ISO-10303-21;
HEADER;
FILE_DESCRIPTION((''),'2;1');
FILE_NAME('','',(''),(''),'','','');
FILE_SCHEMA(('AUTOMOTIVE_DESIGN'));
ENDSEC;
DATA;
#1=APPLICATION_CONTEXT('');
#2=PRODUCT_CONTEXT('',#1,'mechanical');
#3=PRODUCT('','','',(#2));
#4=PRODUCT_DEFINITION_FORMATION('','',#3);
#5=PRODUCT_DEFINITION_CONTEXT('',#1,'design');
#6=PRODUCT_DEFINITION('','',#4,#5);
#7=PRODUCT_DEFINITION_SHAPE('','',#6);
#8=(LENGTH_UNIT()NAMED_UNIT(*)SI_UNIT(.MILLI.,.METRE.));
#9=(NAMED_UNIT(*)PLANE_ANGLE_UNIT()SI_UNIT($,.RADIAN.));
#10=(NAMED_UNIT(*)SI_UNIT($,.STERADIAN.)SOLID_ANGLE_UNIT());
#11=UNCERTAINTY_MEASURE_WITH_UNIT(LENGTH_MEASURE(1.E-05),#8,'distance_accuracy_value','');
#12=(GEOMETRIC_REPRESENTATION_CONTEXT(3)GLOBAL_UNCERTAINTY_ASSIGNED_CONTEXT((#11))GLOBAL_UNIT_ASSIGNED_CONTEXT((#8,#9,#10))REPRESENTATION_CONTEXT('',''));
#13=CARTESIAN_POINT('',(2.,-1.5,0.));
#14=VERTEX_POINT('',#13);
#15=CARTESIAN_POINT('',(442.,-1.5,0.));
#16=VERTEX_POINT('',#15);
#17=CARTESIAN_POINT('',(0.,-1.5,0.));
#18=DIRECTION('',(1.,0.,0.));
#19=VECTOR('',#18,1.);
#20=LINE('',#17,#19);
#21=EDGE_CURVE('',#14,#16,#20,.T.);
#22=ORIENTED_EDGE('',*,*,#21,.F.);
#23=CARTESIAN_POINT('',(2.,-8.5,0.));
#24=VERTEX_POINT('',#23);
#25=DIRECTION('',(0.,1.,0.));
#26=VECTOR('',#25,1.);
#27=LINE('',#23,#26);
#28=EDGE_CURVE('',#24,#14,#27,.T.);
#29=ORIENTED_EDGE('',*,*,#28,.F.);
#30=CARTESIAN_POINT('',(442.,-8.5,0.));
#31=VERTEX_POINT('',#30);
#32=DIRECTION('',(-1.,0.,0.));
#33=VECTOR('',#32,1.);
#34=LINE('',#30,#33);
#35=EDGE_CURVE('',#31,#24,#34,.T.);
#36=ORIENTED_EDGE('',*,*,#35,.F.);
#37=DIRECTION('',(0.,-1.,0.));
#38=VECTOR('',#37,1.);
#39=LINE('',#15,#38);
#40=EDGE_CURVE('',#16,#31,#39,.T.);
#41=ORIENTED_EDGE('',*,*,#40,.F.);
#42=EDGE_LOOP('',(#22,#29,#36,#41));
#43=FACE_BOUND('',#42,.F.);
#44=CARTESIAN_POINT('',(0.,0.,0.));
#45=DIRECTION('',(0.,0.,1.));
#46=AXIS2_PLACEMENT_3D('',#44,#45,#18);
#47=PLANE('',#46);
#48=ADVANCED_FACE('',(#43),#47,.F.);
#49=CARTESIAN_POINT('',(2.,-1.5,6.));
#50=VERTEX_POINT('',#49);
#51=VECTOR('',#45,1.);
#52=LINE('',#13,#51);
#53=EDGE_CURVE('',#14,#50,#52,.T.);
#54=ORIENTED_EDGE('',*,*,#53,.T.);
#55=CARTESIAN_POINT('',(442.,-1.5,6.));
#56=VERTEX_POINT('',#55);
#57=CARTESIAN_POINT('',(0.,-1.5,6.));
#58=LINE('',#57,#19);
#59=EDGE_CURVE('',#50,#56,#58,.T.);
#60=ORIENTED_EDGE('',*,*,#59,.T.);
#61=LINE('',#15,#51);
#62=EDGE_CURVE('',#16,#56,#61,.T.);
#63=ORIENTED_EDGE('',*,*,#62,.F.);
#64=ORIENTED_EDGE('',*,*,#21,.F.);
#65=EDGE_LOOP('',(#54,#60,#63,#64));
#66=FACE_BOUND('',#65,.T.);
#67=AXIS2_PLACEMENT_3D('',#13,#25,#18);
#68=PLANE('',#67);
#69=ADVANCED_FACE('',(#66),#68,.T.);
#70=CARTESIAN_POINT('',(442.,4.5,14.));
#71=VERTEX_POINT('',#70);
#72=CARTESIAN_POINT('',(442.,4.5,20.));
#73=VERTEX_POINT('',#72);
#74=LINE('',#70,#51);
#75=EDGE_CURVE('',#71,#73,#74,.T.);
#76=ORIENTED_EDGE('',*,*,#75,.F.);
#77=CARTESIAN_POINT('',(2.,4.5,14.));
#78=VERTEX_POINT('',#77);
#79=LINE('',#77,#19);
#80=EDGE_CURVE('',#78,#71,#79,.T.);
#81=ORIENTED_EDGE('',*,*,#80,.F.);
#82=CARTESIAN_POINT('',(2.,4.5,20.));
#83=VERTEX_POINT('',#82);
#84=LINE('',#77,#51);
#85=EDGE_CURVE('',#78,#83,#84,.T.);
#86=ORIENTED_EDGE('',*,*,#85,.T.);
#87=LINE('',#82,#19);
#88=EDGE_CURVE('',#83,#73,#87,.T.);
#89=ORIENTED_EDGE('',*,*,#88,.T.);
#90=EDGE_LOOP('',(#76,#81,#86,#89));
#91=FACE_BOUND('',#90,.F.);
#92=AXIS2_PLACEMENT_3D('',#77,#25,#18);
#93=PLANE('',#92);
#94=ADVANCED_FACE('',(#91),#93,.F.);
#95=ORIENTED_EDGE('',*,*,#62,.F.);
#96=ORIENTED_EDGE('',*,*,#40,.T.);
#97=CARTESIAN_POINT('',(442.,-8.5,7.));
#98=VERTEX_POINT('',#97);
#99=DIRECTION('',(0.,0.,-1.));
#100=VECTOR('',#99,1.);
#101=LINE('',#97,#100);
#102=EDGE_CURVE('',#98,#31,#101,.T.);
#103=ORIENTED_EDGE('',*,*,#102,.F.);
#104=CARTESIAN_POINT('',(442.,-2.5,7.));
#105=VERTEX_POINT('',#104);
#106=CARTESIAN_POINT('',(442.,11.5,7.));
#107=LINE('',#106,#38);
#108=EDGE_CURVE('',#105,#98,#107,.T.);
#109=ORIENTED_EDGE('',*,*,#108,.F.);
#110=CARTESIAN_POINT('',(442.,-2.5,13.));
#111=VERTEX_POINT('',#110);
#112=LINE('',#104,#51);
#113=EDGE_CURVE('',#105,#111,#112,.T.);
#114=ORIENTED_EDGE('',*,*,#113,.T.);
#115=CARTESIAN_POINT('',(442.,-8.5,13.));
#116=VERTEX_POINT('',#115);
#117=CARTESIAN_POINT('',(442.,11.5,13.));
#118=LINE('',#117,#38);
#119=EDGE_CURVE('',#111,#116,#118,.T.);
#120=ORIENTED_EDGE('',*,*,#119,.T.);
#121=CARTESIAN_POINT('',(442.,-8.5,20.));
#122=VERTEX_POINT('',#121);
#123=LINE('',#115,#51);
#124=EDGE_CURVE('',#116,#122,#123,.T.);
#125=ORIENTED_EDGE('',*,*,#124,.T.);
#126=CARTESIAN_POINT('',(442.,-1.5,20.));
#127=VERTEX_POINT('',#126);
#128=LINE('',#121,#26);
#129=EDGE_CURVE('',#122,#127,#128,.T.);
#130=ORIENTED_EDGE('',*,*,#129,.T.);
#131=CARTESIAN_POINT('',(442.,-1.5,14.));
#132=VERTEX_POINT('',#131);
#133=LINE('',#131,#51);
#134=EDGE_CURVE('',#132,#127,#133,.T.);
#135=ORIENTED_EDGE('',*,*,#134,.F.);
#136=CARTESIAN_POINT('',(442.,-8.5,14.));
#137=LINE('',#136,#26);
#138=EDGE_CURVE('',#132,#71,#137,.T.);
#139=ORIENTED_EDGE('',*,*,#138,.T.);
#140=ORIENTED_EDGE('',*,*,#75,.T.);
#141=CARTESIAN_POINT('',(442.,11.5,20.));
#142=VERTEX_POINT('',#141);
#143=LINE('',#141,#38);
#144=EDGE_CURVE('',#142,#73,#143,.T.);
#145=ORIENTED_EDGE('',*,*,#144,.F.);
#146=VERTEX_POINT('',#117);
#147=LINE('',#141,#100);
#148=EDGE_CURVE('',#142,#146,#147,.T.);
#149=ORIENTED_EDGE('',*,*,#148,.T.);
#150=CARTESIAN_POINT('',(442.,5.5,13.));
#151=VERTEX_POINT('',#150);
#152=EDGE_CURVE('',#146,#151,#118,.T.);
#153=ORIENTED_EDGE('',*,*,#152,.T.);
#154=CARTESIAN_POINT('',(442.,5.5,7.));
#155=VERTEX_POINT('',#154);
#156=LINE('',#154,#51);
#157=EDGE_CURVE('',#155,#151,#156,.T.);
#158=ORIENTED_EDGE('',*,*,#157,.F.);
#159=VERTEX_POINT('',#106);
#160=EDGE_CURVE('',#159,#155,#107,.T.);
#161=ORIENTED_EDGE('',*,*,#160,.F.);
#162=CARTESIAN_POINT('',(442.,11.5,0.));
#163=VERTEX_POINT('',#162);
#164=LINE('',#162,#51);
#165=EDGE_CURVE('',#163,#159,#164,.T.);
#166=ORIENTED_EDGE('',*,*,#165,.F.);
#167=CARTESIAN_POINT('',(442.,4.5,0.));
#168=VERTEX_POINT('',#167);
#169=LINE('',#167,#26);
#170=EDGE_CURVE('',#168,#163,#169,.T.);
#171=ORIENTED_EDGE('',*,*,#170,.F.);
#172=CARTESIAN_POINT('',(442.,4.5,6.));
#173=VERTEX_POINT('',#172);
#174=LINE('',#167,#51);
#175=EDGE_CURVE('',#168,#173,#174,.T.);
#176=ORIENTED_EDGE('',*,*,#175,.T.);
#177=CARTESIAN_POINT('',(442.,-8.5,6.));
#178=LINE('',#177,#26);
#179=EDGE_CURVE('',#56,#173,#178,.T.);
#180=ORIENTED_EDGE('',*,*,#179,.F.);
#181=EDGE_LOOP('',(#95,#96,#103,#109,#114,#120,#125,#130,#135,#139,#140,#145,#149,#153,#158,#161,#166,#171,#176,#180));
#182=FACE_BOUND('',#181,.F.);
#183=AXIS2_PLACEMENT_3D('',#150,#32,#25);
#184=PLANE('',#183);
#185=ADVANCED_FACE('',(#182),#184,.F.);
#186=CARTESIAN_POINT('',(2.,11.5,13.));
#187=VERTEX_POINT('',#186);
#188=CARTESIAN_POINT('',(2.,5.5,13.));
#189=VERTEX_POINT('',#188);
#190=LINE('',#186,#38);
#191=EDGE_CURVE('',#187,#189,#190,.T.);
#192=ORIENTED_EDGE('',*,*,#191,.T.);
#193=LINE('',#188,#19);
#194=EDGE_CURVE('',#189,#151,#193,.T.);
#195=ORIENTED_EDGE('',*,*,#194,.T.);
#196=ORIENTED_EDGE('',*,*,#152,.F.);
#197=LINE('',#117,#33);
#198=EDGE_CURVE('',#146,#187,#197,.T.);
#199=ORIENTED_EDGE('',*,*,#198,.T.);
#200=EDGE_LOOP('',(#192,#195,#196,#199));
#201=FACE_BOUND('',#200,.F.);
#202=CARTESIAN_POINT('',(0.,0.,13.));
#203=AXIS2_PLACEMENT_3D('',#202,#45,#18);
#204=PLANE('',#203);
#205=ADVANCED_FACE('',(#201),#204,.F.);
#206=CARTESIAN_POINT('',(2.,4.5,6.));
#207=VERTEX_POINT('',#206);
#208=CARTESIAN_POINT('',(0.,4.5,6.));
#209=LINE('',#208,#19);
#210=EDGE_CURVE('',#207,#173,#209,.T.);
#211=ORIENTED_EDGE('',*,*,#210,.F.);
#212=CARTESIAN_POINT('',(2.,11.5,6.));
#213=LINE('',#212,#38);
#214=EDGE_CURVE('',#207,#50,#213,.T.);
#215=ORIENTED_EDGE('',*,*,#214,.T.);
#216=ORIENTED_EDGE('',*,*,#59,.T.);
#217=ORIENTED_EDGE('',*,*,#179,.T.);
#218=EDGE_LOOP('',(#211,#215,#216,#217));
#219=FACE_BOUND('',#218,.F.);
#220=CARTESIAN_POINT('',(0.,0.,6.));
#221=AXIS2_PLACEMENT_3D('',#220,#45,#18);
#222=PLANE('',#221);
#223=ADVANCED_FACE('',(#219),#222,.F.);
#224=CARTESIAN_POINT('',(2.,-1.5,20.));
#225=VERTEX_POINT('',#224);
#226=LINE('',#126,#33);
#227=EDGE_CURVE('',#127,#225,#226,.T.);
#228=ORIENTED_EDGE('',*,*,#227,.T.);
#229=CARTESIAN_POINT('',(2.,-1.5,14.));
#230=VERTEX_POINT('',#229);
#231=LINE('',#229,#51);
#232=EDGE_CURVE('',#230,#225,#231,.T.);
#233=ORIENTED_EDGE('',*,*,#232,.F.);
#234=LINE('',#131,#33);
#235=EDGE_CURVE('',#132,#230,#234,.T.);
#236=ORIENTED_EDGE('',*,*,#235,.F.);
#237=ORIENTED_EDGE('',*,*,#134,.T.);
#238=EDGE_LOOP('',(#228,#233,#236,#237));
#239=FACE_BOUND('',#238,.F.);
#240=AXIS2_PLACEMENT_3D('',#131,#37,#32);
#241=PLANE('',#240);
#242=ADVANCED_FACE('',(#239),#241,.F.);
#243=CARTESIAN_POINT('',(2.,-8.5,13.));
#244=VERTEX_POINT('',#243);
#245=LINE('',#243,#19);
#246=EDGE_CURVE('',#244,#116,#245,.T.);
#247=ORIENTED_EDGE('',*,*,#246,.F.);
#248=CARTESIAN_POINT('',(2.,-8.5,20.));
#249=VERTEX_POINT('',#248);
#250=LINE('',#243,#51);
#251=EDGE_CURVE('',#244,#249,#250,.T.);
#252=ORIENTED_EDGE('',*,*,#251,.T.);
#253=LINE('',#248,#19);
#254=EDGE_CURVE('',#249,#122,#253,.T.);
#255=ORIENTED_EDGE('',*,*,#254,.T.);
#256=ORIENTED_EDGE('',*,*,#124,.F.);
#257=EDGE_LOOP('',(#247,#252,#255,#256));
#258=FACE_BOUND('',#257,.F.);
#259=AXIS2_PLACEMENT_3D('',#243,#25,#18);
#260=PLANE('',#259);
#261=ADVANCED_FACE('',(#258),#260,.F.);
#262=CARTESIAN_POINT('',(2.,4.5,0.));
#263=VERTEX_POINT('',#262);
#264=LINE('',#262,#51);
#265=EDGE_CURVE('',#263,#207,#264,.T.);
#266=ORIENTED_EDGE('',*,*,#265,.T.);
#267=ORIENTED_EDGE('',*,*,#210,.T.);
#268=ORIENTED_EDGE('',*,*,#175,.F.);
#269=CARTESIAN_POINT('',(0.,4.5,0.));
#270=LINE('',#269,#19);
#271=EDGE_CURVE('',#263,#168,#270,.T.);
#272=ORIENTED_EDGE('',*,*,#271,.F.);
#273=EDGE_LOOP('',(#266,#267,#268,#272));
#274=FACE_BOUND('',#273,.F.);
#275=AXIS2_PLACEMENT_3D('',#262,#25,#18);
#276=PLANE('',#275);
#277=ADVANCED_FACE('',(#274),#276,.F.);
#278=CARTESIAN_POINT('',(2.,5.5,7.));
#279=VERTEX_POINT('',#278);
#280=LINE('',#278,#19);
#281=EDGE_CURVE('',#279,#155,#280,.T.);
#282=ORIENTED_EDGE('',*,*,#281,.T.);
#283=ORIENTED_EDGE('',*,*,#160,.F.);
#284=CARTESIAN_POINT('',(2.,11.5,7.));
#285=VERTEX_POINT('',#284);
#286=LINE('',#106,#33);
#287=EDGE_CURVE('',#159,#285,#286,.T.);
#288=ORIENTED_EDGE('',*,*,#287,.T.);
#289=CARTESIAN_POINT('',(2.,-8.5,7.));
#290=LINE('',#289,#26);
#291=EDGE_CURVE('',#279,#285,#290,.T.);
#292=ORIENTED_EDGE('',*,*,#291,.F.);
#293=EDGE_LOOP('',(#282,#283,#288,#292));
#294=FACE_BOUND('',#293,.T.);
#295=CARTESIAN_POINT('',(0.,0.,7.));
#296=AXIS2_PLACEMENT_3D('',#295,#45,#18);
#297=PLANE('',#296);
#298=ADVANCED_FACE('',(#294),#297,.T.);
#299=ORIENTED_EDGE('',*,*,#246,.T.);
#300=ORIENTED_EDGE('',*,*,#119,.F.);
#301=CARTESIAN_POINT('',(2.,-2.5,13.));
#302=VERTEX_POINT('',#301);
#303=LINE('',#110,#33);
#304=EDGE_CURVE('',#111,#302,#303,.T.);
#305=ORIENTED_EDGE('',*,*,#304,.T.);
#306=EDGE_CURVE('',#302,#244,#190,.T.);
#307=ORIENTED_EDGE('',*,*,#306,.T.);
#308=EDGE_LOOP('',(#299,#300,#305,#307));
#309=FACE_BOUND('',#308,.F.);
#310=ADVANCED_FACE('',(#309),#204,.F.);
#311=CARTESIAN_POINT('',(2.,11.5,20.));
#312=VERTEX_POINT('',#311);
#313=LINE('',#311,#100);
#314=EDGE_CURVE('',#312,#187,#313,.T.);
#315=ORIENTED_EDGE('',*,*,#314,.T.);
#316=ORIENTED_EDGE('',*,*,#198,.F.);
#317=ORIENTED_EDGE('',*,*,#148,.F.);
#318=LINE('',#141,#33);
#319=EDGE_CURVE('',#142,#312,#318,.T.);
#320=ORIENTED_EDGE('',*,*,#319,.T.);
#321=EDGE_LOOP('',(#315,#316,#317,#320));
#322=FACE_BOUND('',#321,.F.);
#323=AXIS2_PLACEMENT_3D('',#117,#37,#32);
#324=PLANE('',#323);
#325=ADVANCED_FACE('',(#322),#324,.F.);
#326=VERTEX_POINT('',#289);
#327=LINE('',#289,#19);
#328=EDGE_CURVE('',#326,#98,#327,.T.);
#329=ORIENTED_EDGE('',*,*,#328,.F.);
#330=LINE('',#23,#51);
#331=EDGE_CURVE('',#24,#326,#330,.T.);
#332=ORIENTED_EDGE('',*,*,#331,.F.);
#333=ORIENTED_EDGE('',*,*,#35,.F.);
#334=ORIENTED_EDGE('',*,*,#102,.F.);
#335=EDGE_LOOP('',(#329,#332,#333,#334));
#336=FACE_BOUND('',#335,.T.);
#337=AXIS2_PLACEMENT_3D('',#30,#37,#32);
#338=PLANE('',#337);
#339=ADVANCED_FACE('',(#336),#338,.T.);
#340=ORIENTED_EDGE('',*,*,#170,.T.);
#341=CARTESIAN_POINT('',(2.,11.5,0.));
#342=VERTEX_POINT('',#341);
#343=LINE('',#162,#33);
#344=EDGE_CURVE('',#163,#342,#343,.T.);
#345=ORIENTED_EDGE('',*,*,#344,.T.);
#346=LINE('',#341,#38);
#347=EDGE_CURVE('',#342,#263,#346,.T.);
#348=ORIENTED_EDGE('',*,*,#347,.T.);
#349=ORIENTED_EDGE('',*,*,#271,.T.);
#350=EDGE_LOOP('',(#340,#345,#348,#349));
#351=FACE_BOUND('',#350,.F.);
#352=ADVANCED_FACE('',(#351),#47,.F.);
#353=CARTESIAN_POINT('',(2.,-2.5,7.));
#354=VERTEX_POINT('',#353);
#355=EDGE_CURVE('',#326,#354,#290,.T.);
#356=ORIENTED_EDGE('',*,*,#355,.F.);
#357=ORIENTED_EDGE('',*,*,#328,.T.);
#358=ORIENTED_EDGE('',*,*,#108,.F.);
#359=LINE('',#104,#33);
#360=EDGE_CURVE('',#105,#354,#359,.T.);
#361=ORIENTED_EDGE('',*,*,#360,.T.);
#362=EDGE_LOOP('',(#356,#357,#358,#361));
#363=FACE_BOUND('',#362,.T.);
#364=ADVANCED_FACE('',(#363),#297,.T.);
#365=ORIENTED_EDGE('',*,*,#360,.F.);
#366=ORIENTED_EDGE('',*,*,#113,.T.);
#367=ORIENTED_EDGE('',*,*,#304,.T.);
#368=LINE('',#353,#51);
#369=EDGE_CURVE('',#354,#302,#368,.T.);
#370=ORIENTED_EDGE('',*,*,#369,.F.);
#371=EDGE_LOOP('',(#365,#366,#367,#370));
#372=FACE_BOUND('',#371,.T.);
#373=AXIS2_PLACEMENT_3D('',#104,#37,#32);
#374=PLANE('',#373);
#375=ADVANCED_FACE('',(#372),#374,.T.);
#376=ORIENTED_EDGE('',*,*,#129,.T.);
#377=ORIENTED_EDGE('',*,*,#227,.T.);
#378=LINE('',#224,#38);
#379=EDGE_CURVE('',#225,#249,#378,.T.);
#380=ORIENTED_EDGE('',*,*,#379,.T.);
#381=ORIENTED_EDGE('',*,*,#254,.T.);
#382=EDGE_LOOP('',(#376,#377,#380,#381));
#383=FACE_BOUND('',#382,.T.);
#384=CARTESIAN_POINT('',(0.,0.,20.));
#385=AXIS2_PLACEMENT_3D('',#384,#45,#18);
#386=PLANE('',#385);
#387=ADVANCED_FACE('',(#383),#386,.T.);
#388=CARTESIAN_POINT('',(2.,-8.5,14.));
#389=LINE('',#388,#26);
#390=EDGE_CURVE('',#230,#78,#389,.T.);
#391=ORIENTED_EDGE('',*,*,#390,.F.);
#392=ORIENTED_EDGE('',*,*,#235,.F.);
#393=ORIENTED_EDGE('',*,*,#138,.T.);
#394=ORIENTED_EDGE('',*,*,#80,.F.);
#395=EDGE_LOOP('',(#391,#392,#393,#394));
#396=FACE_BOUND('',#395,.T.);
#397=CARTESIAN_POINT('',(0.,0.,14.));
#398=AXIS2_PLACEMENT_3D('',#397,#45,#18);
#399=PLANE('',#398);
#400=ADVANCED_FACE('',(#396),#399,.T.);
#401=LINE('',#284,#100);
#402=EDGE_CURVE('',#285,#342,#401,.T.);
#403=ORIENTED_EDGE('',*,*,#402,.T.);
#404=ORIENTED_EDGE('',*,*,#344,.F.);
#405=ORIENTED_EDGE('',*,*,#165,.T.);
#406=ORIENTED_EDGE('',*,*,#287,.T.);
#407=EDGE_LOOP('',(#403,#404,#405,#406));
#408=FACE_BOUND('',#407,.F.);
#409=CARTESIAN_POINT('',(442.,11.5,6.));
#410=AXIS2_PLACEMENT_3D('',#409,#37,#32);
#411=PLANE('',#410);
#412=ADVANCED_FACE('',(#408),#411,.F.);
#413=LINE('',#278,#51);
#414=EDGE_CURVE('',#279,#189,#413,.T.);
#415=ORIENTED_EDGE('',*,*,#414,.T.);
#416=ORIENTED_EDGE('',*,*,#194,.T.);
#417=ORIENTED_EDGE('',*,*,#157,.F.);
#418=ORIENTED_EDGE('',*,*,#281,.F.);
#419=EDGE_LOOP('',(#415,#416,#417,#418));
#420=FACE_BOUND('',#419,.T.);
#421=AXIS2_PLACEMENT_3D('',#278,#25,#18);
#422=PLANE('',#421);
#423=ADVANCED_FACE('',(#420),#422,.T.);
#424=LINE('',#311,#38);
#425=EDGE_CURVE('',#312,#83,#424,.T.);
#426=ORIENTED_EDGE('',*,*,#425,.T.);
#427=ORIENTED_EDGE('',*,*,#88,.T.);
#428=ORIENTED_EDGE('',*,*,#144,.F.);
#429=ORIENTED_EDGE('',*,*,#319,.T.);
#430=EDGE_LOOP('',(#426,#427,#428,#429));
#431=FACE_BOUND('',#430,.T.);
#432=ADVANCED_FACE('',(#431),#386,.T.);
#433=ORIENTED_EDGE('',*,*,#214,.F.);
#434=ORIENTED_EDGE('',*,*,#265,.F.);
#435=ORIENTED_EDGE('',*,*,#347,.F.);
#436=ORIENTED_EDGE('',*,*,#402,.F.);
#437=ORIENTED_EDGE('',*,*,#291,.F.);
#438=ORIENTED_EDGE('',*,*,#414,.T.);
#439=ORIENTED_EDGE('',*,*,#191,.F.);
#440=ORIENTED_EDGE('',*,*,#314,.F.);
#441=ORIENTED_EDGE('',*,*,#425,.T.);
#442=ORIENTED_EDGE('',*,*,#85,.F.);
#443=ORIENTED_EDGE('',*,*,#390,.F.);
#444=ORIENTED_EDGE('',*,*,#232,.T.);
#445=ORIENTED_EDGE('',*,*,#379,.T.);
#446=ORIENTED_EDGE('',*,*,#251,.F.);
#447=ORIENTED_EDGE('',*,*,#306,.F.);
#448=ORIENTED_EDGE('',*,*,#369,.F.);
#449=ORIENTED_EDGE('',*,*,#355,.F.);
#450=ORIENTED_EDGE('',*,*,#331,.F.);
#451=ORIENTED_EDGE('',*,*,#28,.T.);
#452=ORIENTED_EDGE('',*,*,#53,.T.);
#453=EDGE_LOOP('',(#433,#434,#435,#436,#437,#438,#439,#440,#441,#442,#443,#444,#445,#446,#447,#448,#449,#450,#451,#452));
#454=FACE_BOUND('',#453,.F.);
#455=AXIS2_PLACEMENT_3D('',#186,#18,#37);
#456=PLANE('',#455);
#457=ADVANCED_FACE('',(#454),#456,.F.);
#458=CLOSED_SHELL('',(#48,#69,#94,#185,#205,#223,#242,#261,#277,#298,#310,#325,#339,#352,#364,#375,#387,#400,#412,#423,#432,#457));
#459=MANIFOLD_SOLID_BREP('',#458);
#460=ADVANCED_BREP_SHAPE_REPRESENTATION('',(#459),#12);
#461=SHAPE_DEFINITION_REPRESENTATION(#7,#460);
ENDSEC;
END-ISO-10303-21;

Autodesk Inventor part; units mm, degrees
ref_plane "YZ Plane" through (0, 0, 0) normal (1, 0, 0) x (0, 1, 0)
ref_plane "XZ Plane" through (0, 0, 0) normal (0, 1, 0) x (-1, 0, 0)
ref_plane "XY Plane" through (0, 0, 0) normal (0, 0, 1) x (1, 0, 0)
sketch "Sketch8" plane through (0, 0, 0) normal (0, 0, 1) x (1, 0, 0)
  line L0 (-3, 0) -> (-3, 3)
  line L1 (0, 0) -> (444, 0)
  line L2 (444, 0) -> (444, 3)
  line L3 (0, 3) -> (444, 3)
  line L4 (0, 0) -> (0, 3)
  line L5 (0, 3) -> (-3, 3)
  line L6 (0, 0) -> (-3, 0)
  line L7 (447, 3) -> (444, 3)
  line L8 (447, 0) -> (447, 3)
  line L9 (447, 0) -> (444, 0)
  line L10 (0, 4.5) -> (442, 4.5)
  line L11 (0, -1.5) -> (442, -1.5)
  line L12 (442, 4.5) -> (442, -1.5)
  line L13 (2, 4.5) -> (2, -1.5)
  line L14 (2, 4.5) -> (442, 4.5)
  line L15 (442, 4.5) -> (442, 11.5)
  line L16 (442, 11.5) -> (2, 11.5)
  line L17 (2, 11.5) -> (2, 4.5)
  line L18 (2, -1.5) -> (442, -1.5)
  line L19 (442, -1.5) -> (442, -8.5)
  line L20 (442, -8.5) -> (2, -8.5)
  line L21 (2, -8.5) -> (2, -1.5)
  point P0 (-3, 1.5)
extrude "Extrusion7" add sketch "Sketch8" along normal blind 6 contours L11 L19 L20 L21 | L17 L16 L15 L10
sketch "Sketch9" plane through (0, 0, 6) normal (0, 0, 1) x (1, 0, 0)
  line L0 (2, 11.5) -> (2, 4.5) projected
  line L1 (2, 4.5) -> (442, 4.5) projected
  line L2 (442, 4.5) -> (442, 11.5) projected
  line L3 (442, 11.5) -> (2, 11.5) projected
  line L4 (442, -8.5) -> (442, -1.5) projected
  line L5 (442, -1.5) -> (2, -1.5) projected
  line L6 (2, -1.5) -> (2, -8.5) projected
  line L7 (2, -8.5) -> (442, -8.5) projected
  line L8 (2, 4.5) -> (2, -1.5)
  line L9 (442, -1.5) -> (442, 4.5)
  point P0 (0, 0)
extrude "Extrusion8" add sketch "Sketch9" along normal blind 1
sketch "Sketch10" plane through (0, 0, 7) normal (0, 0, 1) x (1, 0, 0)
  line L0 (2, 4.5) -> (442, 4.5) projected
  line L1 (442, -1.5) -> (2, -1.5) projected
  line L2 (442, -2.5) -> (2, -2.5)
  line L3 (2, 5.5) -> (442, 5.5)
  line L4 (2, 5.5) -> (2, -2.5)
  line L5 (2, 11.5) -> (2, -8.5) projected
  line L6 (442, 5.5) -> (442, -2.5)
  point P0 (0, 0)
  dimension "d33" = 1
  dimension "d34" = 1
extrude "Extrusion9" add sketch "Sketch10" along normal blind 6
sketch "Sketch11" plane through (0, 0, 13) normal (0, 0, 1) x (1, 0, 0)
  line L0 (447, 0) -> (444, 0) projected
  line L1 (2, 5.5) -> (442, 5.5) projected
  line L2 (442, 5.5) -> (442, 11.5) projected
  line L3 (442, 11.5) -> (2, 11.5) projected
  line L4 (2, 11.5) -> (2, 5.5) projected
  line L5 (442, -2.5) -> (2, -2.5) projected
  line L6 (2, -2.5) -> (2, -8.5) projected
  line L7 (2, -8.5) -> (442, -8.5) projected
  line L8 (442, -8.5) -> (442, -2.5) projected
  line L9 (442, 5.5) -> (2, 5.5) projected
  line L10 (2, 5.5) -> (2, -2.5) projected
  line L11 (2, -2.5) -> (442, -2.5) projected
  line L12 (442, -2.5) -> (442, 5.5) projected
  point P0 (0, 0)
  point P1 (2, -2.5)
extrude "Extrusion10" add sketch "Sketch11" along normal blind 1
sketch "Sketch12" plane through (0, 0, 14) normal (0, 0, 1) x (1, 0, 0)
  line L0 (442, 5.5) -> (2, 5.5) projected
  line L1 (2, 11.5) -> (2, 4.5) projected
  line L2 (442, 11.5) -> (2, 11.5) projected
  line L3 (442, 4.5) -> (442, 11.5) projected
  line L4 (2, 4.5) -> (442, 4.5) projected
  line L5 (442, -8.5) -> (442, -1.5) projected
  line L6 (2, -8.5) -> (442, -8.5) projected
  line L7 (2, -1.5) -> (2, -8.5) projected
  line L8 (442, -1.5) -> (2, -1.5) projected
  point P0 (0, 0)
extrude "Extrusion11" add sketch "Sketch12" along normal blind 6
properties part number "xbar"
